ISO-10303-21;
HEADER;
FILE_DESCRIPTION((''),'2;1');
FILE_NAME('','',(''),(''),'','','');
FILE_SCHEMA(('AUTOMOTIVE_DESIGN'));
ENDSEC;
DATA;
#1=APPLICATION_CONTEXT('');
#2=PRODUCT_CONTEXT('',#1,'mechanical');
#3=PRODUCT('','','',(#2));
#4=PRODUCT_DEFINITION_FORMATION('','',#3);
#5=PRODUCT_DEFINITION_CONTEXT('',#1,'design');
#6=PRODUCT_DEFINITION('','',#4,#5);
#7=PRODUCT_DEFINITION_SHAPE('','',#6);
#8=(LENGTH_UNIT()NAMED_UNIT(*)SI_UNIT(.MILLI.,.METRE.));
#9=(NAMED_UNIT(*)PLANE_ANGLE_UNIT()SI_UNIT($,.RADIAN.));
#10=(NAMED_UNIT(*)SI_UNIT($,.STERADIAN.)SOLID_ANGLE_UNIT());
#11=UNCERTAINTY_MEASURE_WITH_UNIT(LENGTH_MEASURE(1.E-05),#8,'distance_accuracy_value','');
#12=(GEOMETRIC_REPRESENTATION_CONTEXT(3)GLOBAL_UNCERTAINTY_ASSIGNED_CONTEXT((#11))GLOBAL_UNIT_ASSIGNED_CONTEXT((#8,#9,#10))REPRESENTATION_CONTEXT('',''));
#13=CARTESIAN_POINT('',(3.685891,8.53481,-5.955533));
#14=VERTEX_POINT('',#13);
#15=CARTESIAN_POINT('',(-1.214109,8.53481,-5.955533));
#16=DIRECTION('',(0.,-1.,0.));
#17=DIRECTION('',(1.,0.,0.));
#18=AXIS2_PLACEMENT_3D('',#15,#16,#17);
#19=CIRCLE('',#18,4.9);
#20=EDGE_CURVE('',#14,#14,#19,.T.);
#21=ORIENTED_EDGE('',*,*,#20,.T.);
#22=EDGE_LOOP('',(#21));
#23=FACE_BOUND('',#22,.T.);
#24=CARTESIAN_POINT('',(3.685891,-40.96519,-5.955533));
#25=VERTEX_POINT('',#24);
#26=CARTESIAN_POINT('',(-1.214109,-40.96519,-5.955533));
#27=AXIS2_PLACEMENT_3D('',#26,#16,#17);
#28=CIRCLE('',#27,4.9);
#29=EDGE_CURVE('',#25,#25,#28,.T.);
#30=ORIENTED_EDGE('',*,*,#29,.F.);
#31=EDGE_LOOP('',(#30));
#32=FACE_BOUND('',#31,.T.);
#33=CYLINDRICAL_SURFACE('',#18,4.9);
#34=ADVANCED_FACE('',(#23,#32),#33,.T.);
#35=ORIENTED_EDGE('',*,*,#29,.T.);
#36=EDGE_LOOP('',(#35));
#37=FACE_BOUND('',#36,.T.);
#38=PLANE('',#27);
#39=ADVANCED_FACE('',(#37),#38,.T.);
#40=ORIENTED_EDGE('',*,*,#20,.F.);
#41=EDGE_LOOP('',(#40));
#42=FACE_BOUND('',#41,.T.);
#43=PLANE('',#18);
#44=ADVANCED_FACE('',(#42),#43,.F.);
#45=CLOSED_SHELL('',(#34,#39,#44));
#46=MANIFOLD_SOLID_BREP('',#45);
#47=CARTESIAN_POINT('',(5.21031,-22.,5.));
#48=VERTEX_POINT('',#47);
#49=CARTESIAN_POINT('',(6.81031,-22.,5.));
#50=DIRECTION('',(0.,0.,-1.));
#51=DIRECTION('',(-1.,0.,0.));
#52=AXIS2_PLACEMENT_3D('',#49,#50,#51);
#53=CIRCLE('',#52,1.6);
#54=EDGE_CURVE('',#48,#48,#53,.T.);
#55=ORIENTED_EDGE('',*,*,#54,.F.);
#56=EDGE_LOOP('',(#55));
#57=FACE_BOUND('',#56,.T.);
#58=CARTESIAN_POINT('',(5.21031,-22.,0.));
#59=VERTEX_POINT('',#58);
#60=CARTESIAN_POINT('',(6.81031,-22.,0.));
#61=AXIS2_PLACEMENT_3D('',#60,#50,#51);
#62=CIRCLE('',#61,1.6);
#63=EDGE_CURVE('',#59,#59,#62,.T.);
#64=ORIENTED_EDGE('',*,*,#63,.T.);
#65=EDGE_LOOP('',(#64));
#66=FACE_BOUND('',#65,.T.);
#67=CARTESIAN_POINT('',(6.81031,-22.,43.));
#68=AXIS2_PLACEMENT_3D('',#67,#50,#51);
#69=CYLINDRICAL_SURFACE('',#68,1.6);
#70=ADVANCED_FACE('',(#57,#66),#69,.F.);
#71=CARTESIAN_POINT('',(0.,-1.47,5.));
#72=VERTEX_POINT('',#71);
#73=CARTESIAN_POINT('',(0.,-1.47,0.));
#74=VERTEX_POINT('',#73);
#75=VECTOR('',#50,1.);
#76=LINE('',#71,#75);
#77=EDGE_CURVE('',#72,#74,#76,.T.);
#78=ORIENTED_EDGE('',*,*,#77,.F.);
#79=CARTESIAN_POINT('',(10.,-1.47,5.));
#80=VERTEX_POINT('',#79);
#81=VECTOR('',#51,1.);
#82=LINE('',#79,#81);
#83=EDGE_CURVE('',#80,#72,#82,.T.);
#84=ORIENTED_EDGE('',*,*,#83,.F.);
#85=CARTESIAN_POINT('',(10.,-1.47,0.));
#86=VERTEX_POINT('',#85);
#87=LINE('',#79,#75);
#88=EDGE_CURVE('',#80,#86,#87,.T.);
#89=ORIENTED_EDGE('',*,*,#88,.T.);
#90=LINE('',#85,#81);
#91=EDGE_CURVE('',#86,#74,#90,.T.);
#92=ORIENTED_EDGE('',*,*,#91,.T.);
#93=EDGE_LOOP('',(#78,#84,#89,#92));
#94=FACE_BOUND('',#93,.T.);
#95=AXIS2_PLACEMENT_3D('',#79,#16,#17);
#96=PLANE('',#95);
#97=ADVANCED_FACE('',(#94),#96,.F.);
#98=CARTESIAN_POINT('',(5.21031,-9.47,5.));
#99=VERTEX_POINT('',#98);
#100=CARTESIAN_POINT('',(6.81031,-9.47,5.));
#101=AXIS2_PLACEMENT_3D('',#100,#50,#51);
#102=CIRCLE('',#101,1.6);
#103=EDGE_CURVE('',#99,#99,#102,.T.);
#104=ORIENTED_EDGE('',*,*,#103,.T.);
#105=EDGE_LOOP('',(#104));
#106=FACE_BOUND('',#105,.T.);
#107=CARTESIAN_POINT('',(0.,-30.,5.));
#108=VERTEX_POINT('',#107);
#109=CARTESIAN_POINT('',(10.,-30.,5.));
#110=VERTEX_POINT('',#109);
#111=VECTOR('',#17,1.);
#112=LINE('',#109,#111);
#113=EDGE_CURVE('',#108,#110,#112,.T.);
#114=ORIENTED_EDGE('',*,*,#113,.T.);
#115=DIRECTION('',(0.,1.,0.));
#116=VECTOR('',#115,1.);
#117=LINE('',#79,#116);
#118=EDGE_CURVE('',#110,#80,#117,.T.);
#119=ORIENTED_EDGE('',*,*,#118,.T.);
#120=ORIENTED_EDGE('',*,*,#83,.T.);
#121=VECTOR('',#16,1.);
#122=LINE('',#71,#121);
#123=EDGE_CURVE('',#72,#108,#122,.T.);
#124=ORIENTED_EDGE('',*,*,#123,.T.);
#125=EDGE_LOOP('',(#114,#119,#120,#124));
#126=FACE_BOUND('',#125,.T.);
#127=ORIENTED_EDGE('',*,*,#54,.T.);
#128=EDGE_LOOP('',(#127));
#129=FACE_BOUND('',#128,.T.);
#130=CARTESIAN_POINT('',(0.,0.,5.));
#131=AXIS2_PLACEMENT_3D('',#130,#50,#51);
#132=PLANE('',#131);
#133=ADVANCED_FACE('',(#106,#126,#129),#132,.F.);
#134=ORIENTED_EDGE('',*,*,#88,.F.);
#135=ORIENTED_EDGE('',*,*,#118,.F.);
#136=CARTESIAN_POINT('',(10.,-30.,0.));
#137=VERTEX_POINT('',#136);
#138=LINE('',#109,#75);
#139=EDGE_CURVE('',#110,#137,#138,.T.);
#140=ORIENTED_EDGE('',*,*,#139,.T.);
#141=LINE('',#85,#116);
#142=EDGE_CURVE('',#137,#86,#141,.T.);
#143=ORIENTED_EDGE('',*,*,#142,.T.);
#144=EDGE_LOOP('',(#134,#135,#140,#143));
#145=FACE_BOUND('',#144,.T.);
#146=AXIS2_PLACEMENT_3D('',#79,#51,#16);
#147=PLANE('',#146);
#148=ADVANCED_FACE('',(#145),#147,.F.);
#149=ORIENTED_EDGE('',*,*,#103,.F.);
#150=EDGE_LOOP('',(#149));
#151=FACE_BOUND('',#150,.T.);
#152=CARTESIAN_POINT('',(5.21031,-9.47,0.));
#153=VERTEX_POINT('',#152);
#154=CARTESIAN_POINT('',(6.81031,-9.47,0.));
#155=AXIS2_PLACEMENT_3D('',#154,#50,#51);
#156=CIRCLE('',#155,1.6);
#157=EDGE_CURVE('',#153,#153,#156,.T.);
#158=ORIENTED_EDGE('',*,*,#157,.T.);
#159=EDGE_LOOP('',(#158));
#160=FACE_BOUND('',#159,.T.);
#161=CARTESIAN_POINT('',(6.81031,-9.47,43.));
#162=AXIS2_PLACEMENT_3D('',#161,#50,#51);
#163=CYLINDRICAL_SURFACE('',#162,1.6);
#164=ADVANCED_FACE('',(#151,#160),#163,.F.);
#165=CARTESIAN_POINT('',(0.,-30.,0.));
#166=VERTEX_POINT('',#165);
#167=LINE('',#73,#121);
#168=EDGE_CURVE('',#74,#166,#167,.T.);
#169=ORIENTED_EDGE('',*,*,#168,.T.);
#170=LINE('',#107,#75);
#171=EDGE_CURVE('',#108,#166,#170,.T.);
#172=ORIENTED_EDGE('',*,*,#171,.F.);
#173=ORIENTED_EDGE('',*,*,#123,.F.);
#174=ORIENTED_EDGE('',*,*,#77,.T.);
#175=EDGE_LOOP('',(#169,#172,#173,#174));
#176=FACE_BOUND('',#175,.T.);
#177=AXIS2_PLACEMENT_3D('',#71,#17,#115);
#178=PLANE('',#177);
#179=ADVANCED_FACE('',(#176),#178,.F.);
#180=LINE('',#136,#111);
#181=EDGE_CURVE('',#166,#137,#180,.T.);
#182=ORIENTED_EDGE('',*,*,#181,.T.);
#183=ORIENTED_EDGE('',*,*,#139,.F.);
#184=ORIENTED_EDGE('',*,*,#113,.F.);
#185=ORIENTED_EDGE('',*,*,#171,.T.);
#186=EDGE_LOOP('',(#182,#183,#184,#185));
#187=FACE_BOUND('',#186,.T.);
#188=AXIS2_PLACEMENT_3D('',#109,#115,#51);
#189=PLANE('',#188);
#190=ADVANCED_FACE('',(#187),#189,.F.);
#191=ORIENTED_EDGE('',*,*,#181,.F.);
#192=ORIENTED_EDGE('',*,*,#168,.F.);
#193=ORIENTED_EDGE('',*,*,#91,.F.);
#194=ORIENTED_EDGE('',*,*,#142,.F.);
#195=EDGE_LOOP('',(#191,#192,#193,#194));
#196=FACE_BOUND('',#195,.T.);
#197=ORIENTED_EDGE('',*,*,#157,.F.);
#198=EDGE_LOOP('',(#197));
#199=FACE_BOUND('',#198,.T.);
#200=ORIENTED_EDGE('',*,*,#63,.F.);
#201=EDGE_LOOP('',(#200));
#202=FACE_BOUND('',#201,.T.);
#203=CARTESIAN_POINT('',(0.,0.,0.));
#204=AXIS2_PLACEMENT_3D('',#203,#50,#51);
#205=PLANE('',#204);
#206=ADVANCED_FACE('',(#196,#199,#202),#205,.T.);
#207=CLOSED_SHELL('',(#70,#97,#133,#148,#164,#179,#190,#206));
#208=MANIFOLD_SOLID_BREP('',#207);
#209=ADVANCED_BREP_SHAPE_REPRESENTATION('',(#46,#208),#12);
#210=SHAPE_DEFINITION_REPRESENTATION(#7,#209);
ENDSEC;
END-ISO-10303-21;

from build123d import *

# Parameters (mm, degrees)
SKETCH1_W           = 10
SKETCH1_H           = 28.53
BOSS_EXTRUDE1_DEPTH = 5
SKETCH2_R           = 1.6
CUT_EXTRUDE2_DEPTH  = 43
SKETCH10_R          = 4.9
BOSS_EXTRUDE7_DEPTH = 49.5


with BuildPart() as part:
    # Sketch1 → Boss-Extrude1 (new body)
    with BuildSketch(Plane.XY):
        with Locations((5, -15.735)):
            Rectangle(SKETCH1_W, SKETCH1_H)
    extrude(amount=BOSS_EXTRUDE1_DEPTH)

    # Sketch2 → Cut-Extrude2 (cut)
    with BuildSketch(Plane(origin=(0, 0, 0), x_dir=(-1, 0, 0), z_dir=(0, 0, -1))):
        with Locations((-6.810310374, -9.47)):
            Circle(SKETCH2_R)
        with Locations((-6.810310374, -22)):
            Circle(SKETCH2_R)
    extrude(amount=-CUT_EXTRUDE2_DEPTH, mode=Mode.SUBTRACT)


with BuildPart() as body_2:
    # Sketch10 → Boss-Extrude7 (new body)
    with BuildSketch(Plane.XZ.offset(40.965189842)):
        with Locations((-1.214108885, -5.955533219)):
            Circle(SKETCH10_R)
    extrude(amount=-BOSS_EXTRUDE7_DEPTH)


solid = Compound([part.part, body_2.part])
